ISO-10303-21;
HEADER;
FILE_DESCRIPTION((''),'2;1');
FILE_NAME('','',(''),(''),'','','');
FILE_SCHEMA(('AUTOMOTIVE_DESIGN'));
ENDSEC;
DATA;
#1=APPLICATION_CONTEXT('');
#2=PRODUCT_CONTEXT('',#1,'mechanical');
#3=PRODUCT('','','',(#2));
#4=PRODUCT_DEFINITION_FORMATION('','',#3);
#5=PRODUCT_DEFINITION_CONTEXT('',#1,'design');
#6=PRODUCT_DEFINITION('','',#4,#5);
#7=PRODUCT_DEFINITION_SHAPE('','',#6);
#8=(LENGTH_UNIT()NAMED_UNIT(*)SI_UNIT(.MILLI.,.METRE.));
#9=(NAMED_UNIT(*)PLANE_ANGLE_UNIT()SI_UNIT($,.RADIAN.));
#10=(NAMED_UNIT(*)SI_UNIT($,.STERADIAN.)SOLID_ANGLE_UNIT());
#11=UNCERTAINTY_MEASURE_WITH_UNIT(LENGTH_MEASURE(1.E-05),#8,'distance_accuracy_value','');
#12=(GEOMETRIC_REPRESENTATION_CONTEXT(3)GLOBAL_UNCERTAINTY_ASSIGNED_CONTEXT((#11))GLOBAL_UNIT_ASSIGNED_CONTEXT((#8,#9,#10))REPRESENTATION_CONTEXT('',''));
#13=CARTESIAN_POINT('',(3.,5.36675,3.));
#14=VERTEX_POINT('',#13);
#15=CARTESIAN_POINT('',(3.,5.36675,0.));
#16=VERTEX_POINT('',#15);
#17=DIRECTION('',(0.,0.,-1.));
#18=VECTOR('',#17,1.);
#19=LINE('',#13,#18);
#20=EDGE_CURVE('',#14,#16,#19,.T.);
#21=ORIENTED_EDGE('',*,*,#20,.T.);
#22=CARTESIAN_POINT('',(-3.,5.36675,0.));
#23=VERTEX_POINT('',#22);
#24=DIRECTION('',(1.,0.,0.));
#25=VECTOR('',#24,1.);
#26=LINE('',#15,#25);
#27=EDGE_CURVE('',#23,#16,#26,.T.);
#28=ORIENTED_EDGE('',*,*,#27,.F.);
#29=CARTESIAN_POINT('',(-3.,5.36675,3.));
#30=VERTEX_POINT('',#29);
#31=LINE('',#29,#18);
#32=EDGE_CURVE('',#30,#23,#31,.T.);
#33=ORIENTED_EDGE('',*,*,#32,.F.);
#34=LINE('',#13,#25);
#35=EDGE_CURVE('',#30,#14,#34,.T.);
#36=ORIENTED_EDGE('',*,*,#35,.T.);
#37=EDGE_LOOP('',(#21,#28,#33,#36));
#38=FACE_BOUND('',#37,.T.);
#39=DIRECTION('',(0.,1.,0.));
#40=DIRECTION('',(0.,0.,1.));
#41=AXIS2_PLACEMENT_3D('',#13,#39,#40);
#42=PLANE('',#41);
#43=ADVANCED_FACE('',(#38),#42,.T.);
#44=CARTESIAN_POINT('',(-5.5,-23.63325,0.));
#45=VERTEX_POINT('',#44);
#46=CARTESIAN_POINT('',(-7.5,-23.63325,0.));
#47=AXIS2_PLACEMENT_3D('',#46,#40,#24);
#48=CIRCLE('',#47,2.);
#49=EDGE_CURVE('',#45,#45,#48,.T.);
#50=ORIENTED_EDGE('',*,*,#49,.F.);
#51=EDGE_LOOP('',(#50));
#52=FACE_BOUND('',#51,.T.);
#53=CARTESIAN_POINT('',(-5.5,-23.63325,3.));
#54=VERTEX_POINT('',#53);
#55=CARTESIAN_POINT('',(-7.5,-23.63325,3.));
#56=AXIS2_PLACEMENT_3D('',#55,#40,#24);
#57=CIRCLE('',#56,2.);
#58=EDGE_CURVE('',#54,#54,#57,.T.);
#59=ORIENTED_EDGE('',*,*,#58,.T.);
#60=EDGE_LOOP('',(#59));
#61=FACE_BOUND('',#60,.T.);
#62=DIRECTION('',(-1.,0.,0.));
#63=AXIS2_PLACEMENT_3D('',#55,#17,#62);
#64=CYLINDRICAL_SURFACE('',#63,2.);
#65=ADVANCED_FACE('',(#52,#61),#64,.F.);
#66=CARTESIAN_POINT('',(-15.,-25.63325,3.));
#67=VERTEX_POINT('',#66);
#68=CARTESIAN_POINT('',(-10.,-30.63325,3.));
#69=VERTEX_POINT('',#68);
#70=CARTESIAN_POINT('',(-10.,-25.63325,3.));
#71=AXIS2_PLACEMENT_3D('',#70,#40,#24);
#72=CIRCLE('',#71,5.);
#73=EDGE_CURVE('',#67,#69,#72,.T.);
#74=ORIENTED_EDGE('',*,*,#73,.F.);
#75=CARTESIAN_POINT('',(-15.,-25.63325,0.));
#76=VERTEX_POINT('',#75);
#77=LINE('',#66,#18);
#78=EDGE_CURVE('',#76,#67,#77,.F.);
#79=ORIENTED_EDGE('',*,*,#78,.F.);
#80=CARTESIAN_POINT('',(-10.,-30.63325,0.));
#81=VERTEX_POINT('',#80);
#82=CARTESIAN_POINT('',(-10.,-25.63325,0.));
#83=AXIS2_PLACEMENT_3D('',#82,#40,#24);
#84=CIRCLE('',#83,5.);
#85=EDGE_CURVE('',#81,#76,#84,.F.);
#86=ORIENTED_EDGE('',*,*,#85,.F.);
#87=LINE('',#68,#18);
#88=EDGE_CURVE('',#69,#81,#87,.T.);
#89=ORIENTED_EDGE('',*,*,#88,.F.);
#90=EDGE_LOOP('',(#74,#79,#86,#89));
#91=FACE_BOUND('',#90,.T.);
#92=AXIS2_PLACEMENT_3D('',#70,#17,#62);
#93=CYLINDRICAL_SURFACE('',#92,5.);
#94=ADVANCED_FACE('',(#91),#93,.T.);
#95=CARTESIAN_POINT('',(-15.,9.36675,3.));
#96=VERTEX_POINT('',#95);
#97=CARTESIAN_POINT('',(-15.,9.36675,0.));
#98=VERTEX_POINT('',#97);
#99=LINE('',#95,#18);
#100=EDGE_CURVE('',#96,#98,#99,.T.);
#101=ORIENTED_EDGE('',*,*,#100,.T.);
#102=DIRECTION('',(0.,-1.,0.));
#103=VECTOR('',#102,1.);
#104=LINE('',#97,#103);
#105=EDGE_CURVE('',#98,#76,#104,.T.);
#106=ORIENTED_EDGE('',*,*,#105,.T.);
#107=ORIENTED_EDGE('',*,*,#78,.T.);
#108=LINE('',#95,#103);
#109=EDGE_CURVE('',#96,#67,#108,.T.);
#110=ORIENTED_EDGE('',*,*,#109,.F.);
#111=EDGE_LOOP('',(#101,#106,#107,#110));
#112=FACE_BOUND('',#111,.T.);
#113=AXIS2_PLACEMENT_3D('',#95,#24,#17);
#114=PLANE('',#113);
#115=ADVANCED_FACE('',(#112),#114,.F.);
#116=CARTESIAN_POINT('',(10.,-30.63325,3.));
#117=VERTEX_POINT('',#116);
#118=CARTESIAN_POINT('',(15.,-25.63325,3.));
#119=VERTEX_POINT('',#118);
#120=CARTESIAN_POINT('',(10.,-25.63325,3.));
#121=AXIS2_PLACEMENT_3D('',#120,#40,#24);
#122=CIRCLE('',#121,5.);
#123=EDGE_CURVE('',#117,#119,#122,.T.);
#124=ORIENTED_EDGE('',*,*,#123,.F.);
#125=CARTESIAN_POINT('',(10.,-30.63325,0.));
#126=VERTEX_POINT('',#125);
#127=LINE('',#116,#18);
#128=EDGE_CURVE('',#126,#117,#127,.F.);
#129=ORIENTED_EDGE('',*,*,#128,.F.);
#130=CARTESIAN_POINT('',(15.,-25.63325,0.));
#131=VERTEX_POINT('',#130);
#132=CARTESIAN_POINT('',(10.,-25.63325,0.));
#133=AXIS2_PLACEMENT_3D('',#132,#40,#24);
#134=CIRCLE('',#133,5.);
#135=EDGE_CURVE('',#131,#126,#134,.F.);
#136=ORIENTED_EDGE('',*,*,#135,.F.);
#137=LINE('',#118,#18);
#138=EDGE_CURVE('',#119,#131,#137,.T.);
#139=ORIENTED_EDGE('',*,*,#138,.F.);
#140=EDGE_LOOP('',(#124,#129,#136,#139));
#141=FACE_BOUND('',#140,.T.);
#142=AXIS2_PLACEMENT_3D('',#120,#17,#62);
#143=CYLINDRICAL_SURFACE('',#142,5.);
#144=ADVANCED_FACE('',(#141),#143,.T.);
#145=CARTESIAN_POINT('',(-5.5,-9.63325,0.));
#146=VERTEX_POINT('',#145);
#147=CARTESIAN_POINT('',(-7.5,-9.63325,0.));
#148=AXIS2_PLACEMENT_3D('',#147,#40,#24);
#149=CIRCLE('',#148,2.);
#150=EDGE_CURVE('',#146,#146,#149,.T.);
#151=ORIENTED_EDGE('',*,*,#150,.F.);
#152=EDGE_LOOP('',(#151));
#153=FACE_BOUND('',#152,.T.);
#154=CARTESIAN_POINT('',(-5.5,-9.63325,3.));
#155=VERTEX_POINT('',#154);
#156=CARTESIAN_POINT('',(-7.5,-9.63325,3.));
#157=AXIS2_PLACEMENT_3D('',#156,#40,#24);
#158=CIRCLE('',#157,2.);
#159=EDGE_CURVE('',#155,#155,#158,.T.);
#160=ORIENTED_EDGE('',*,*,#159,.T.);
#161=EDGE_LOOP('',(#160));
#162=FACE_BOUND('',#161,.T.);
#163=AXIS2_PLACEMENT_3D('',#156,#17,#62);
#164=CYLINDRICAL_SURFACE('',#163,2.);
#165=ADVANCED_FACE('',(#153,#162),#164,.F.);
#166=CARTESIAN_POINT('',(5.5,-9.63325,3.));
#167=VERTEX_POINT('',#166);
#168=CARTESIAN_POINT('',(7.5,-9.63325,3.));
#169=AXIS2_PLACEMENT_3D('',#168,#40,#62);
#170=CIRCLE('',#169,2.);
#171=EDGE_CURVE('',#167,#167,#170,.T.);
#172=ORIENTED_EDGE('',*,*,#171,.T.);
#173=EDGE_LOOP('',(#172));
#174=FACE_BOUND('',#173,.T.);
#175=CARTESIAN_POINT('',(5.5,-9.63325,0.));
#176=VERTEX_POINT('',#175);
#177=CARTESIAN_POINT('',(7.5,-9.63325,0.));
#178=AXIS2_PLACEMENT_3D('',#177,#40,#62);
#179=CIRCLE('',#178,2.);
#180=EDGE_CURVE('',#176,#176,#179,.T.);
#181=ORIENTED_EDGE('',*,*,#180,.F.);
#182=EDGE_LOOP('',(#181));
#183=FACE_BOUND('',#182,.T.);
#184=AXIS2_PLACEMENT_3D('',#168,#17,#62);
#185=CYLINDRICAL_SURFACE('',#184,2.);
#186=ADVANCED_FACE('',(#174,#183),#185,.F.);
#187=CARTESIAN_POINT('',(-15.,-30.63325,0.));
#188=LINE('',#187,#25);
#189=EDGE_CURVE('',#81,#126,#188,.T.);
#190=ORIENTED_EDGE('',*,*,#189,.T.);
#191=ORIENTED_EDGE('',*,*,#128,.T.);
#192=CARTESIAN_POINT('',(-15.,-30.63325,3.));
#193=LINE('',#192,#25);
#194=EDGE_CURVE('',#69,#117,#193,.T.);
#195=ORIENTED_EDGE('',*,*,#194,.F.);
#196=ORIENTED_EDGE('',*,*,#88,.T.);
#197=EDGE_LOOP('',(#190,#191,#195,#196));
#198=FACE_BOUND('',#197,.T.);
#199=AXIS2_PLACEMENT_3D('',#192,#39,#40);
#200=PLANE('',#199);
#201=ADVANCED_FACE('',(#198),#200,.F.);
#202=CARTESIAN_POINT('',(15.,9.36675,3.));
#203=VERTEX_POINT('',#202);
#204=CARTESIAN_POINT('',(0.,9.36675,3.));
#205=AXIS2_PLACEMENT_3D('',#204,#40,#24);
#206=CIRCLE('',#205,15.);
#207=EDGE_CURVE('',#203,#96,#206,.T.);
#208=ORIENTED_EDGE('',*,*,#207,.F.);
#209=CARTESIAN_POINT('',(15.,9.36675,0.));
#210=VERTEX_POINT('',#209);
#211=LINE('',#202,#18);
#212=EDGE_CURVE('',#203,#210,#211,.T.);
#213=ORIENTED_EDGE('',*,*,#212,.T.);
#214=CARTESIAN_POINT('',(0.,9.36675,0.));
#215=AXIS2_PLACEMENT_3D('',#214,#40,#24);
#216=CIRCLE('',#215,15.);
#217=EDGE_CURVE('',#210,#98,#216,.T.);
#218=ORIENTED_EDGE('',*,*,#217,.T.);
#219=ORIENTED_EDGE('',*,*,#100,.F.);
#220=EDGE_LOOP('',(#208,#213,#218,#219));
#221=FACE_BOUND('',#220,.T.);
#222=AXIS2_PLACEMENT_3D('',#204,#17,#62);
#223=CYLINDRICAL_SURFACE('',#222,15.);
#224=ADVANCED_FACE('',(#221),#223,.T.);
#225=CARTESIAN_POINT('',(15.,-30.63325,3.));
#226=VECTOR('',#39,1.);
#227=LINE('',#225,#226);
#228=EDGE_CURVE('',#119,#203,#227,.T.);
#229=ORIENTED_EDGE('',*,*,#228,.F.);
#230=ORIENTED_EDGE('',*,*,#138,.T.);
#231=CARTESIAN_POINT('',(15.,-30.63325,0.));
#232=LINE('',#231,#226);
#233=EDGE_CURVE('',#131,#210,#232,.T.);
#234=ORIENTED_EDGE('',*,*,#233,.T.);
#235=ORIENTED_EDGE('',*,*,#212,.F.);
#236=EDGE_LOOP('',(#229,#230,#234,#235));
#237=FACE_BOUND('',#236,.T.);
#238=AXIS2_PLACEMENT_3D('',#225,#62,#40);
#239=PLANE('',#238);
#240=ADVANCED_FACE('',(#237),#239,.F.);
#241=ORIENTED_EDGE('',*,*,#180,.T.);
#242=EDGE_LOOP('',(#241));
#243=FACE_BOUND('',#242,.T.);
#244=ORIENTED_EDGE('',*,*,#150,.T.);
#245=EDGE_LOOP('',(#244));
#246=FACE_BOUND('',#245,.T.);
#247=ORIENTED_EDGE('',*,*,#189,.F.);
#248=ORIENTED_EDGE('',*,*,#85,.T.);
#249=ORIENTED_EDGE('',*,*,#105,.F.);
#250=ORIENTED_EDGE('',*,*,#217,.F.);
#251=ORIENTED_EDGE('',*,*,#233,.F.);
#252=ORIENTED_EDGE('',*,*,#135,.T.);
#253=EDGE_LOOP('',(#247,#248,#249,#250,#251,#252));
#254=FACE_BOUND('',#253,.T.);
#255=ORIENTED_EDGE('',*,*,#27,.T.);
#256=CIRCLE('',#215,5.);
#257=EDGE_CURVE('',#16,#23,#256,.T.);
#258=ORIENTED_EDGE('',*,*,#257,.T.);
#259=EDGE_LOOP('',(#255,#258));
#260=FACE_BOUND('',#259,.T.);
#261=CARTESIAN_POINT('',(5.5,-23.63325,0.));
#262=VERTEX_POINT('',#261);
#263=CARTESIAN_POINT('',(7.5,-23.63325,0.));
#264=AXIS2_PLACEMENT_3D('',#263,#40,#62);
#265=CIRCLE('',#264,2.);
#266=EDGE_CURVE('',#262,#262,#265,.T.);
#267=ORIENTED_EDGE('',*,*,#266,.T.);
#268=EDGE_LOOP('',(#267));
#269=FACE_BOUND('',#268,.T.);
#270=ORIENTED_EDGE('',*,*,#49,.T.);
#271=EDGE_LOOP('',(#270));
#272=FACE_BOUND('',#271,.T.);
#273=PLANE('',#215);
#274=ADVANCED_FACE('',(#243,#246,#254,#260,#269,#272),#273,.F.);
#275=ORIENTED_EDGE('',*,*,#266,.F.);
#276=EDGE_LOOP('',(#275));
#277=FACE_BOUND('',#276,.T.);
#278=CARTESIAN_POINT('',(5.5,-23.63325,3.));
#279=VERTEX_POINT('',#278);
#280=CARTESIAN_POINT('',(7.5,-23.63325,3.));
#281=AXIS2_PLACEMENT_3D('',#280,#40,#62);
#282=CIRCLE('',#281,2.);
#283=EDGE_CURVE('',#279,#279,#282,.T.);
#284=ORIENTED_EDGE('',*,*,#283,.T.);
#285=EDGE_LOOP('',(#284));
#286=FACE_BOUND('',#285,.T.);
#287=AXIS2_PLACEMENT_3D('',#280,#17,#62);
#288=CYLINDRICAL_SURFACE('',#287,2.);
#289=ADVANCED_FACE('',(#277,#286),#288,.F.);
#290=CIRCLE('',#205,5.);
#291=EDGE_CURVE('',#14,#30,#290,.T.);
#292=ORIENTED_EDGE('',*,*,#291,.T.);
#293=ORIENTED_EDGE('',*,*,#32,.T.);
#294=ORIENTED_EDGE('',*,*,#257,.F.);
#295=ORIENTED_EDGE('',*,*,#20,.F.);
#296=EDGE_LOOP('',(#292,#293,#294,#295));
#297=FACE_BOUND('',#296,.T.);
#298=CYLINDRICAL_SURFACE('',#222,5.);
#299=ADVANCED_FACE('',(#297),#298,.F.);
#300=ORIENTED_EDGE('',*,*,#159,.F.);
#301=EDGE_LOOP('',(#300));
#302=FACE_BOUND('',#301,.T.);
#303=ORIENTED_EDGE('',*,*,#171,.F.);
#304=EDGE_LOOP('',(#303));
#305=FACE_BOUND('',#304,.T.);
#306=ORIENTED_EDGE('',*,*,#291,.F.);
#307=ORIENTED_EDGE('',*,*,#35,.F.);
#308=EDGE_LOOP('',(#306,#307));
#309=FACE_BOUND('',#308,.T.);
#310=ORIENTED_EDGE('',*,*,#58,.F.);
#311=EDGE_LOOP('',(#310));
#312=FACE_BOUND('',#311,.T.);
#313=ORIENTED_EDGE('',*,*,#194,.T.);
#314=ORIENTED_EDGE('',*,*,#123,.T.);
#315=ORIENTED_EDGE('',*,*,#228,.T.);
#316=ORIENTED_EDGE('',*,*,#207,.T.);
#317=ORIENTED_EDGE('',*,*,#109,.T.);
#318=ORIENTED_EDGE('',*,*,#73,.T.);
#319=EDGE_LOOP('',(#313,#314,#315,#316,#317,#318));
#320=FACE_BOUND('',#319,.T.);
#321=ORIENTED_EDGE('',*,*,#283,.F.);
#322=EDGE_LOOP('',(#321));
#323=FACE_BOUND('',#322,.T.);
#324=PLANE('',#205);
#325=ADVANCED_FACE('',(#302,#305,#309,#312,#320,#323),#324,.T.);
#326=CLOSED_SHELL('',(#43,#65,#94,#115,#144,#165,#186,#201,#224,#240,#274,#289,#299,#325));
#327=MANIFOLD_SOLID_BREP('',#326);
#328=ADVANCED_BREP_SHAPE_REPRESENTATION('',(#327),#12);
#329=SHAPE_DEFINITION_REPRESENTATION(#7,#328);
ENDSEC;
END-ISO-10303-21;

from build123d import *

# Parameters (mm, degrees)
SKETCH_1_R      = 2
EXTRUDE_1_DEPTH = 3
FILLET_1_R      = 5


with BuildPart() as part:
    # 草图1 → 凸台-拉伸1 (new body)
    with BuildSketch(Plane.XY):
        with BuildLine():
            Line((-15, 9.366750419), (-15, -30.633249581))
            Line((-15, -30.633249581), (15, -30.633249581))
            Line((15, -30.633249581), (15, 9.366750419))
            ThreePointArc((15, 9.366750419), (0, 24.366750419), (-15, 9.366750419))
        make_face()
        with Locations((-7.5, -9.633249581)):
            Circle(SKETCH_1_R, mode=Mode.SUBTRACT)
        with Locations((-7.5, -23.633249581)):
            Circle(SKETCH_1_R, mode=Mode.SUBTRACT)
        with Locations(Location((7.5, -23.633249581, 0), (0, 0, 180))):
            Circle(SKETCH_1_R, mode=Mode.SUBTRACT)
        with Locations(Location((7.5, -9.633249581, 0), (0, 0, 180))):
            Circle(SKETCH_1_R, mode=Mode.SUBTRACT)
        with BuildLine():
            Line((3, 5.366750419), (-3, 5.366750419))
            ThreePointArc((-3, 5.366750419), (0, 14.366750419), (3, 5.366750419))
        make_face(mode=Mode.SUBTRACT)
    extrude(amount=EXTRUDE_1_DEPTH)

    # 圆角1
    fillet_1_edges = [part.edges().sort_by_distance(p)[0] for p in [
        (15, -30.633249581, 1.5),
        (-15, -30.633249581, 1.5),
    ]]
    fillet(fillet_1_edges, radius=FILLET_1_R)


solid = part.part
